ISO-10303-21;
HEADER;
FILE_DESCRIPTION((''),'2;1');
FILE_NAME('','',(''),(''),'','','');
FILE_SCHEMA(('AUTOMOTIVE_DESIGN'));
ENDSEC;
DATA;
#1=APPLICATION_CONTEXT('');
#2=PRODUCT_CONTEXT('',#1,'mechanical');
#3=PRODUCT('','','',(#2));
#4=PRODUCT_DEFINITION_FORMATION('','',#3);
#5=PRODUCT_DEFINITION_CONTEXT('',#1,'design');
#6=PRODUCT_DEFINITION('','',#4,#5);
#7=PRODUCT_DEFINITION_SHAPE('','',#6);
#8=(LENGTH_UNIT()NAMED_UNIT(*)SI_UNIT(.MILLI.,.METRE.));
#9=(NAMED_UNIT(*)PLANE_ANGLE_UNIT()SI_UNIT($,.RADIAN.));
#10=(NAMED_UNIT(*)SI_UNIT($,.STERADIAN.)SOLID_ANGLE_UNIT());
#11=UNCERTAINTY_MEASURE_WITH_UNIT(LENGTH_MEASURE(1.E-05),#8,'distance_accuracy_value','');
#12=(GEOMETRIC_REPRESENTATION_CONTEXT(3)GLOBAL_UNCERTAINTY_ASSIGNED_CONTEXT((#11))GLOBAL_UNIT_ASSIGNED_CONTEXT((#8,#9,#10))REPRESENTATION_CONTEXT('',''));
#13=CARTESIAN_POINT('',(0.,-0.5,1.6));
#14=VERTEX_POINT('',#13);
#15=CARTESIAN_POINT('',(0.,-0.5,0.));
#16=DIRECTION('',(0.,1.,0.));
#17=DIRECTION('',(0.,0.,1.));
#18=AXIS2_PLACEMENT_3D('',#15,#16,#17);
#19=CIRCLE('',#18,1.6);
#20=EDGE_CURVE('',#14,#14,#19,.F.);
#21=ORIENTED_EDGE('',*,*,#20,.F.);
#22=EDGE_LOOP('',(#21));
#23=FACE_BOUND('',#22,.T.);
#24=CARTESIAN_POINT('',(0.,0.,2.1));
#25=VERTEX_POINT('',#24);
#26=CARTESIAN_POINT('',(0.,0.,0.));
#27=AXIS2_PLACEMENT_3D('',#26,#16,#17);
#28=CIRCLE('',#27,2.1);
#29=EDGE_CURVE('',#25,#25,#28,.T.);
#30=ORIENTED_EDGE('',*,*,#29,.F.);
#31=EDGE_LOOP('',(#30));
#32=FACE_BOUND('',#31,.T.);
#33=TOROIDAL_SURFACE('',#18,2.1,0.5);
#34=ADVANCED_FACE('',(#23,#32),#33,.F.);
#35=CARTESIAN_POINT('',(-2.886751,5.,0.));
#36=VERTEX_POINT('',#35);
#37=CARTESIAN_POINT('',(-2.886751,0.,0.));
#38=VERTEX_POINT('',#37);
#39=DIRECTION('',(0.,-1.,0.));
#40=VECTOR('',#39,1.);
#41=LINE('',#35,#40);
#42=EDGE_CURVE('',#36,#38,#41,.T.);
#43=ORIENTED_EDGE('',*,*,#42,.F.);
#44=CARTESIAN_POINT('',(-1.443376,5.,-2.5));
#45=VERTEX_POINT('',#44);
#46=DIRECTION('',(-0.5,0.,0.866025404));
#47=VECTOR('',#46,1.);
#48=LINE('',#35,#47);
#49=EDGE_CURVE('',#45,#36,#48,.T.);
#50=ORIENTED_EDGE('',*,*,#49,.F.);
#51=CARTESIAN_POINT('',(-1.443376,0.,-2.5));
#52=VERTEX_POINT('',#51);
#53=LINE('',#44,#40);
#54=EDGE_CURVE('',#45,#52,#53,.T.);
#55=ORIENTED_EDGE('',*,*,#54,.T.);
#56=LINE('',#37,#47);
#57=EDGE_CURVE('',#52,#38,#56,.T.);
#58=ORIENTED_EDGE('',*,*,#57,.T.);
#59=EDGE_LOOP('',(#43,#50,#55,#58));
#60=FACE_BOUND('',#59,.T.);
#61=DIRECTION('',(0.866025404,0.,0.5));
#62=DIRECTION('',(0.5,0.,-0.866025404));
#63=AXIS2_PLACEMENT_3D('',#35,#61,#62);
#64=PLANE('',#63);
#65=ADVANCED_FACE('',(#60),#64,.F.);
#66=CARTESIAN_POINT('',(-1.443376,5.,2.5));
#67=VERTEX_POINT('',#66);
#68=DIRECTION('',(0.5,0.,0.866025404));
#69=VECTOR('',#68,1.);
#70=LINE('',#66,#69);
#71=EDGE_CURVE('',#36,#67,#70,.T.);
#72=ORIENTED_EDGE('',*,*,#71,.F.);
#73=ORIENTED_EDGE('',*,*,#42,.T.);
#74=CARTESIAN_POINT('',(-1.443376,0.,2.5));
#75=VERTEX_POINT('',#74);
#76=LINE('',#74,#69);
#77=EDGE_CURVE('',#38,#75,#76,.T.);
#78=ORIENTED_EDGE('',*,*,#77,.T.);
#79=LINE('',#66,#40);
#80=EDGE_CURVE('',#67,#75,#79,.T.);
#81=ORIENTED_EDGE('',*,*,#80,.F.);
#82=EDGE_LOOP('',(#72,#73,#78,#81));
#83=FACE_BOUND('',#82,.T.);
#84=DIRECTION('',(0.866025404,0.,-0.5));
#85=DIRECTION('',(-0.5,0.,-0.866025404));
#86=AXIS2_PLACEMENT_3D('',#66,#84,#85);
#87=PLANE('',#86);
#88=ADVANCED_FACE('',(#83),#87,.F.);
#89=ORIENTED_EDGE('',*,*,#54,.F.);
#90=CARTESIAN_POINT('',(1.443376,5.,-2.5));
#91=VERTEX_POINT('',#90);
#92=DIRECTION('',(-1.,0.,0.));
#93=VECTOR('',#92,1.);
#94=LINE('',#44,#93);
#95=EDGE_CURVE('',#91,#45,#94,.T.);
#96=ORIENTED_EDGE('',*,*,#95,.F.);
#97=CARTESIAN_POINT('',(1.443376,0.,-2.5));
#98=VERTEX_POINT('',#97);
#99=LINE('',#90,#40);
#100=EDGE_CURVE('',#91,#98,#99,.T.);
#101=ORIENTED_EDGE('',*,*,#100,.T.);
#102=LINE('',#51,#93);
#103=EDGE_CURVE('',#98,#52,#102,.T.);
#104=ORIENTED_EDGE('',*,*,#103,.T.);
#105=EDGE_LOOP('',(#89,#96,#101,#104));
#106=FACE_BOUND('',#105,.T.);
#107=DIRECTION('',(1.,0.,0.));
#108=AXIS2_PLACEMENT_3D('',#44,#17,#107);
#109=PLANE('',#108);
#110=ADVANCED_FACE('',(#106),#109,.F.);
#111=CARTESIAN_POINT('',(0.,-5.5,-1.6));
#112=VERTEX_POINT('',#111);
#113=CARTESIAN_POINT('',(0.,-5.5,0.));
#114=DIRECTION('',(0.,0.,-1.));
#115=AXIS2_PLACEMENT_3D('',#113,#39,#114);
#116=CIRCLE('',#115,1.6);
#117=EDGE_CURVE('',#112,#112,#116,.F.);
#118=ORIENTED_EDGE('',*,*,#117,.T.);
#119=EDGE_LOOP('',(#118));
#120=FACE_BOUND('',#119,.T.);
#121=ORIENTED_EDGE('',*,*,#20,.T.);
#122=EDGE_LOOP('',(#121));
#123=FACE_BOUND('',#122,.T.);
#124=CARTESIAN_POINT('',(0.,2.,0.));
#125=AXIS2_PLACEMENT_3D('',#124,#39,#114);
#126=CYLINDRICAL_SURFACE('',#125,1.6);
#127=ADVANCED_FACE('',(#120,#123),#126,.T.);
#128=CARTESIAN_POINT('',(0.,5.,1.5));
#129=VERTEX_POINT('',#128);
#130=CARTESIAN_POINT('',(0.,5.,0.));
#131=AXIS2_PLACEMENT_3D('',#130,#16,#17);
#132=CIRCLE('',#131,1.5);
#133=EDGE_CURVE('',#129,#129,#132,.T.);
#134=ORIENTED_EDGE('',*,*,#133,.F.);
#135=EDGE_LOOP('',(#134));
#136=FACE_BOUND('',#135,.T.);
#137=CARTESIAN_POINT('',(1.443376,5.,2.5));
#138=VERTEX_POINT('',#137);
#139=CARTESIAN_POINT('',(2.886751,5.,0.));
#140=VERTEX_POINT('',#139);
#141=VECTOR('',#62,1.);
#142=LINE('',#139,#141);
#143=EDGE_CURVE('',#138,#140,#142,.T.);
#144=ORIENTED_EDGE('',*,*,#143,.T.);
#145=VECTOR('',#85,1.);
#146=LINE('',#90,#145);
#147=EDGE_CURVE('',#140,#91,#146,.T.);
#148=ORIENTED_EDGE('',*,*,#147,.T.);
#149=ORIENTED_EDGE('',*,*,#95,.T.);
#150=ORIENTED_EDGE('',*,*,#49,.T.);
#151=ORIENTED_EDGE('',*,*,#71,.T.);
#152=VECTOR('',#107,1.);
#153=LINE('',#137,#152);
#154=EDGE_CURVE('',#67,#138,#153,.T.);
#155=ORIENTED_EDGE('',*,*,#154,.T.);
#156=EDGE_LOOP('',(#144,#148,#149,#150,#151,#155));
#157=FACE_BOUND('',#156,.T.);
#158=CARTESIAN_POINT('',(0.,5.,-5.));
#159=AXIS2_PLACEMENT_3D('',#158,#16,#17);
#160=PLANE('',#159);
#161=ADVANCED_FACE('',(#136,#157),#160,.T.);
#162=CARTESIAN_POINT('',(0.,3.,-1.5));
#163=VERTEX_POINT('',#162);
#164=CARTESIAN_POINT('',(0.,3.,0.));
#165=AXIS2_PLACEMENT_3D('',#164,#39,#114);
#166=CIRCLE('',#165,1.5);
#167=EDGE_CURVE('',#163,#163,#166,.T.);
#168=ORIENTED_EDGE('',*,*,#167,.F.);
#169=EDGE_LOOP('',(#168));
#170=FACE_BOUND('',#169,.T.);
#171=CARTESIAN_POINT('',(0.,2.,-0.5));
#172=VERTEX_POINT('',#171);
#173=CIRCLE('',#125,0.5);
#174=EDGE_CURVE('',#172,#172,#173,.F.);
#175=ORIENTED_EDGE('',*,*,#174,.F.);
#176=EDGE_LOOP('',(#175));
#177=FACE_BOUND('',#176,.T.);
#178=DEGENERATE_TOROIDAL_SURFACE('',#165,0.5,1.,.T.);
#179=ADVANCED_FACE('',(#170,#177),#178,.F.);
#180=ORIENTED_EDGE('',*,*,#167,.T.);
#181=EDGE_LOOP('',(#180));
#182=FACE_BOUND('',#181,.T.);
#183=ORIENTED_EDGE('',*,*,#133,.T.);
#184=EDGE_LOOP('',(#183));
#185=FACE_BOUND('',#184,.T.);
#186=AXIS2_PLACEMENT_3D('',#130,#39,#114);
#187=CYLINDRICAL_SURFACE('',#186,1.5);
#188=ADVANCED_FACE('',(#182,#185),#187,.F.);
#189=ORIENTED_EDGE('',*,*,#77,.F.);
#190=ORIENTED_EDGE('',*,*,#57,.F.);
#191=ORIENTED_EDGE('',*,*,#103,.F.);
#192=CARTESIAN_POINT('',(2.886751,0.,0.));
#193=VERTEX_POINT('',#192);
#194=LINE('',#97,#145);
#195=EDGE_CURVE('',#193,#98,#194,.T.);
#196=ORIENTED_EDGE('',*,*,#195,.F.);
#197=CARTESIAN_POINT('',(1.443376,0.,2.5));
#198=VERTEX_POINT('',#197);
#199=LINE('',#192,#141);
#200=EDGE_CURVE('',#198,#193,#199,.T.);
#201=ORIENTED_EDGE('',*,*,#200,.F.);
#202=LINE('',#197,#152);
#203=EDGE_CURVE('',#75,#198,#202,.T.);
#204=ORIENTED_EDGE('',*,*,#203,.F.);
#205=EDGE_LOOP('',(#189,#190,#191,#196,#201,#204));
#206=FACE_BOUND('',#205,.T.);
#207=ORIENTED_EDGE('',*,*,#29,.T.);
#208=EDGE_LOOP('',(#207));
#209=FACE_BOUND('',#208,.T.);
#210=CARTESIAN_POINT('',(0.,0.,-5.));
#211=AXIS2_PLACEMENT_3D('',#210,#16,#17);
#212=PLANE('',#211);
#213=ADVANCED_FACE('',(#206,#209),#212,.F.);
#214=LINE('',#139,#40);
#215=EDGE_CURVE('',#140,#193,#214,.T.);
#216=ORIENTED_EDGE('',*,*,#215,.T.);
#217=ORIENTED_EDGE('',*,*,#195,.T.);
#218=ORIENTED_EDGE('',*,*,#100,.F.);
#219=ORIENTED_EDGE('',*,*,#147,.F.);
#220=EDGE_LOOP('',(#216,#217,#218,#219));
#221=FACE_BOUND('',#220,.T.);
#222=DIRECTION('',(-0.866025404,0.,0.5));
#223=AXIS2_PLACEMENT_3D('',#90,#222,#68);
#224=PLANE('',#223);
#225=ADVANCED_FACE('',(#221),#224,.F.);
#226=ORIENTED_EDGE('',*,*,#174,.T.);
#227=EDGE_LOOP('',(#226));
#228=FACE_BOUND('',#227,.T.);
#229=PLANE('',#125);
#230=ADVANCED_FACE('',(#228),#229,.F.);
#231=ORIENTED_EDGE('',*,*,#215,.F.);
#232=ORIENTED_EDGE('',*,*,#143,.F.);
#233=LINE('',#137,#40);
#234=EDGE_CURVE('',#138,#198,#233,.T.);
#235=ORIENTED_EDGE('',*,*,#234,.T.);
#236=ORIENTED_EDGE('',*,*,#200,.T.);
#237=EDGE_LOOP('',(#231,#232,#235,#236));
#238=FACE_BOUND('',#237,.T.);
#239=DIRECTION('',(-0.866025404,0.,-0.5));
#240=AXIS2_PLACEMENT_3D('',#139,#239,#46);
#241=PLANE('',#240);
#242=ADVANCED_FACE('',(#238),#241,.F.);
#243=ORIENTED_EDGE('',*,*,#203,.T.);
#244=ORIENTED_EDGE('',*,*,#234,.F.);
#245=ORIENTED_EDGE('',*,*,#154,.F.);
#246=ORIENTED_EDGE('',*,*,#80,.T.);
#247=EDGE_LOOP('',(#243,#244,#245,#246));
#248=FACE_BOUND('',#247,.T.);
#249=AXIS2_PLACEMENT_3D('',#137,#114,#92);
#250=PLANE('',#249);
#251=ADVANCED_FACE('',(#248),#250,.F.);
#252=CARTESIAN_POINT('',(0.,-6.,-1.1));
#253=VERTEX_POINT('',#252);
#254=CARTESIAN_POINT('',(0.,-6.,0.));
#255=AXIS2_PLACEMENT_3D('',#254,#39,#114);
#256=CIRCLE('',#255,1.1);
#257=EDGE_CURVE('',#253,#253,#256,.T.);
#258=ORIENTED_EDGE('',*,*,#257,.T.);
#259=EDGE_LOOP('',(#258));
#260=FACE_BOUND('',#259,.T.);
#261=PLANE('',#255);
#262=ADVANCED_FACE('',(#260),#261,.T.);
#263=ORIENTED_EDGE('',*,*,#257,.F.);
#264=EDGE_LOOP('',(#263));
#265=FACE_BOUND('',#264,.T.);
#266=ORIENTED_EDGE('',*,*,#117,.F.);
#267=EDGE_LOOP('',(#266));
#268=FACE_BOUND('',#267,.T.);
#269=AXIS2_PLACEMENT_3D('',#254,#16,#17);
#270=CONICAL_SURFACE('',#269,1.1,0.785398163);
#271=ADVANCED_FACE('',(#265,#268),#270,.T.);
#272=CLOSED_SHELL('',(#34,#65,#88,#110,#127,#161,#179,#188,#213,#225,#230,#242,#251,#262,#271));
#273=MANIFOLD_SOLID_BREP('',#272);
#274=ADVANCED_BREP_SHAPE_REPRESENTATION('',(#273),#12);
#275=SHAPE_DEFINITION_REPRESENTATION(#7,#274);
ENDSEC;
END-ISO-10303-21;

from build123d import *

# Parameters (mm, degrees)
SKETCH1_R           = 1.5
EXTRUDE1_DEPTH      = 5
EXTRUDE2_DEPTH      = 6
EXTRUDE2_DEPTH_BACK = 2
SKETCH2_R           = 1.6
CHAMFER1_SIZE       = 0.5
FILLET1_R           = 0.5
FILLET2_R           = 1


with BuildPart() as part:
    # Sketch1 → Extrude1 (new body)
    with BuildSketch(Plane(origin=(0, 0, 0), x_dir=(1, 0, 0), z_dir=(0, 1, 0))):
        Polygon((-1.443375673, 2.5), (1.443375673, 2.5), (2.886751346, 0), (1.443375673, -2.5), (-1.443375673, -2.5), (-2.886751346, 0), align=None)
        with Locations(Location((0, 0, 0), (0, 0, 270))):
            Circle(SKETCH1_R, mode=Mode.SUBTRACT)
    extrude(amount=EXTRUDE1_DEPTH)

    # Sketch2 → Extrude2 (add, two sides: drawn at the far end of the back side and taken through both)
    with BuildSketch(Plane.XZ.offset(-EXTRUDE2_DEPTH_BACK)):
        with Locations(Location((0, 0, 0), (0, 0, 270))):
            Circle(SKETCH2_R)
    extrude(amount=EXTRUDE2_DEPTH + EXTRUDE2_DEPTH_BACK)

    # Chamfer1
    chamfer1_edges = [part.edges().sort_by_distance(p)[0] for p in [
        (0, -6, 1.6),
    ]]
    chamfer(chamfer1_edges, length=CHAMFER1_SIZE)

    # Fillet1
    fillet1_edges = [part.edges().sort_by_distance(p)[0] for p in [
        (0, 0, 1.6),
    ]]
    fillet(fillet1_edges, radius=FILLET1_R)

    # Fillet2
    fillet2_edges = [part.edges().sort_by_distance(p)[0] for p in [
        (0, 2, -1.5),
    ]]
    fillet(fillet2_edges, radius=FILLET2_R)


solid = part.part
